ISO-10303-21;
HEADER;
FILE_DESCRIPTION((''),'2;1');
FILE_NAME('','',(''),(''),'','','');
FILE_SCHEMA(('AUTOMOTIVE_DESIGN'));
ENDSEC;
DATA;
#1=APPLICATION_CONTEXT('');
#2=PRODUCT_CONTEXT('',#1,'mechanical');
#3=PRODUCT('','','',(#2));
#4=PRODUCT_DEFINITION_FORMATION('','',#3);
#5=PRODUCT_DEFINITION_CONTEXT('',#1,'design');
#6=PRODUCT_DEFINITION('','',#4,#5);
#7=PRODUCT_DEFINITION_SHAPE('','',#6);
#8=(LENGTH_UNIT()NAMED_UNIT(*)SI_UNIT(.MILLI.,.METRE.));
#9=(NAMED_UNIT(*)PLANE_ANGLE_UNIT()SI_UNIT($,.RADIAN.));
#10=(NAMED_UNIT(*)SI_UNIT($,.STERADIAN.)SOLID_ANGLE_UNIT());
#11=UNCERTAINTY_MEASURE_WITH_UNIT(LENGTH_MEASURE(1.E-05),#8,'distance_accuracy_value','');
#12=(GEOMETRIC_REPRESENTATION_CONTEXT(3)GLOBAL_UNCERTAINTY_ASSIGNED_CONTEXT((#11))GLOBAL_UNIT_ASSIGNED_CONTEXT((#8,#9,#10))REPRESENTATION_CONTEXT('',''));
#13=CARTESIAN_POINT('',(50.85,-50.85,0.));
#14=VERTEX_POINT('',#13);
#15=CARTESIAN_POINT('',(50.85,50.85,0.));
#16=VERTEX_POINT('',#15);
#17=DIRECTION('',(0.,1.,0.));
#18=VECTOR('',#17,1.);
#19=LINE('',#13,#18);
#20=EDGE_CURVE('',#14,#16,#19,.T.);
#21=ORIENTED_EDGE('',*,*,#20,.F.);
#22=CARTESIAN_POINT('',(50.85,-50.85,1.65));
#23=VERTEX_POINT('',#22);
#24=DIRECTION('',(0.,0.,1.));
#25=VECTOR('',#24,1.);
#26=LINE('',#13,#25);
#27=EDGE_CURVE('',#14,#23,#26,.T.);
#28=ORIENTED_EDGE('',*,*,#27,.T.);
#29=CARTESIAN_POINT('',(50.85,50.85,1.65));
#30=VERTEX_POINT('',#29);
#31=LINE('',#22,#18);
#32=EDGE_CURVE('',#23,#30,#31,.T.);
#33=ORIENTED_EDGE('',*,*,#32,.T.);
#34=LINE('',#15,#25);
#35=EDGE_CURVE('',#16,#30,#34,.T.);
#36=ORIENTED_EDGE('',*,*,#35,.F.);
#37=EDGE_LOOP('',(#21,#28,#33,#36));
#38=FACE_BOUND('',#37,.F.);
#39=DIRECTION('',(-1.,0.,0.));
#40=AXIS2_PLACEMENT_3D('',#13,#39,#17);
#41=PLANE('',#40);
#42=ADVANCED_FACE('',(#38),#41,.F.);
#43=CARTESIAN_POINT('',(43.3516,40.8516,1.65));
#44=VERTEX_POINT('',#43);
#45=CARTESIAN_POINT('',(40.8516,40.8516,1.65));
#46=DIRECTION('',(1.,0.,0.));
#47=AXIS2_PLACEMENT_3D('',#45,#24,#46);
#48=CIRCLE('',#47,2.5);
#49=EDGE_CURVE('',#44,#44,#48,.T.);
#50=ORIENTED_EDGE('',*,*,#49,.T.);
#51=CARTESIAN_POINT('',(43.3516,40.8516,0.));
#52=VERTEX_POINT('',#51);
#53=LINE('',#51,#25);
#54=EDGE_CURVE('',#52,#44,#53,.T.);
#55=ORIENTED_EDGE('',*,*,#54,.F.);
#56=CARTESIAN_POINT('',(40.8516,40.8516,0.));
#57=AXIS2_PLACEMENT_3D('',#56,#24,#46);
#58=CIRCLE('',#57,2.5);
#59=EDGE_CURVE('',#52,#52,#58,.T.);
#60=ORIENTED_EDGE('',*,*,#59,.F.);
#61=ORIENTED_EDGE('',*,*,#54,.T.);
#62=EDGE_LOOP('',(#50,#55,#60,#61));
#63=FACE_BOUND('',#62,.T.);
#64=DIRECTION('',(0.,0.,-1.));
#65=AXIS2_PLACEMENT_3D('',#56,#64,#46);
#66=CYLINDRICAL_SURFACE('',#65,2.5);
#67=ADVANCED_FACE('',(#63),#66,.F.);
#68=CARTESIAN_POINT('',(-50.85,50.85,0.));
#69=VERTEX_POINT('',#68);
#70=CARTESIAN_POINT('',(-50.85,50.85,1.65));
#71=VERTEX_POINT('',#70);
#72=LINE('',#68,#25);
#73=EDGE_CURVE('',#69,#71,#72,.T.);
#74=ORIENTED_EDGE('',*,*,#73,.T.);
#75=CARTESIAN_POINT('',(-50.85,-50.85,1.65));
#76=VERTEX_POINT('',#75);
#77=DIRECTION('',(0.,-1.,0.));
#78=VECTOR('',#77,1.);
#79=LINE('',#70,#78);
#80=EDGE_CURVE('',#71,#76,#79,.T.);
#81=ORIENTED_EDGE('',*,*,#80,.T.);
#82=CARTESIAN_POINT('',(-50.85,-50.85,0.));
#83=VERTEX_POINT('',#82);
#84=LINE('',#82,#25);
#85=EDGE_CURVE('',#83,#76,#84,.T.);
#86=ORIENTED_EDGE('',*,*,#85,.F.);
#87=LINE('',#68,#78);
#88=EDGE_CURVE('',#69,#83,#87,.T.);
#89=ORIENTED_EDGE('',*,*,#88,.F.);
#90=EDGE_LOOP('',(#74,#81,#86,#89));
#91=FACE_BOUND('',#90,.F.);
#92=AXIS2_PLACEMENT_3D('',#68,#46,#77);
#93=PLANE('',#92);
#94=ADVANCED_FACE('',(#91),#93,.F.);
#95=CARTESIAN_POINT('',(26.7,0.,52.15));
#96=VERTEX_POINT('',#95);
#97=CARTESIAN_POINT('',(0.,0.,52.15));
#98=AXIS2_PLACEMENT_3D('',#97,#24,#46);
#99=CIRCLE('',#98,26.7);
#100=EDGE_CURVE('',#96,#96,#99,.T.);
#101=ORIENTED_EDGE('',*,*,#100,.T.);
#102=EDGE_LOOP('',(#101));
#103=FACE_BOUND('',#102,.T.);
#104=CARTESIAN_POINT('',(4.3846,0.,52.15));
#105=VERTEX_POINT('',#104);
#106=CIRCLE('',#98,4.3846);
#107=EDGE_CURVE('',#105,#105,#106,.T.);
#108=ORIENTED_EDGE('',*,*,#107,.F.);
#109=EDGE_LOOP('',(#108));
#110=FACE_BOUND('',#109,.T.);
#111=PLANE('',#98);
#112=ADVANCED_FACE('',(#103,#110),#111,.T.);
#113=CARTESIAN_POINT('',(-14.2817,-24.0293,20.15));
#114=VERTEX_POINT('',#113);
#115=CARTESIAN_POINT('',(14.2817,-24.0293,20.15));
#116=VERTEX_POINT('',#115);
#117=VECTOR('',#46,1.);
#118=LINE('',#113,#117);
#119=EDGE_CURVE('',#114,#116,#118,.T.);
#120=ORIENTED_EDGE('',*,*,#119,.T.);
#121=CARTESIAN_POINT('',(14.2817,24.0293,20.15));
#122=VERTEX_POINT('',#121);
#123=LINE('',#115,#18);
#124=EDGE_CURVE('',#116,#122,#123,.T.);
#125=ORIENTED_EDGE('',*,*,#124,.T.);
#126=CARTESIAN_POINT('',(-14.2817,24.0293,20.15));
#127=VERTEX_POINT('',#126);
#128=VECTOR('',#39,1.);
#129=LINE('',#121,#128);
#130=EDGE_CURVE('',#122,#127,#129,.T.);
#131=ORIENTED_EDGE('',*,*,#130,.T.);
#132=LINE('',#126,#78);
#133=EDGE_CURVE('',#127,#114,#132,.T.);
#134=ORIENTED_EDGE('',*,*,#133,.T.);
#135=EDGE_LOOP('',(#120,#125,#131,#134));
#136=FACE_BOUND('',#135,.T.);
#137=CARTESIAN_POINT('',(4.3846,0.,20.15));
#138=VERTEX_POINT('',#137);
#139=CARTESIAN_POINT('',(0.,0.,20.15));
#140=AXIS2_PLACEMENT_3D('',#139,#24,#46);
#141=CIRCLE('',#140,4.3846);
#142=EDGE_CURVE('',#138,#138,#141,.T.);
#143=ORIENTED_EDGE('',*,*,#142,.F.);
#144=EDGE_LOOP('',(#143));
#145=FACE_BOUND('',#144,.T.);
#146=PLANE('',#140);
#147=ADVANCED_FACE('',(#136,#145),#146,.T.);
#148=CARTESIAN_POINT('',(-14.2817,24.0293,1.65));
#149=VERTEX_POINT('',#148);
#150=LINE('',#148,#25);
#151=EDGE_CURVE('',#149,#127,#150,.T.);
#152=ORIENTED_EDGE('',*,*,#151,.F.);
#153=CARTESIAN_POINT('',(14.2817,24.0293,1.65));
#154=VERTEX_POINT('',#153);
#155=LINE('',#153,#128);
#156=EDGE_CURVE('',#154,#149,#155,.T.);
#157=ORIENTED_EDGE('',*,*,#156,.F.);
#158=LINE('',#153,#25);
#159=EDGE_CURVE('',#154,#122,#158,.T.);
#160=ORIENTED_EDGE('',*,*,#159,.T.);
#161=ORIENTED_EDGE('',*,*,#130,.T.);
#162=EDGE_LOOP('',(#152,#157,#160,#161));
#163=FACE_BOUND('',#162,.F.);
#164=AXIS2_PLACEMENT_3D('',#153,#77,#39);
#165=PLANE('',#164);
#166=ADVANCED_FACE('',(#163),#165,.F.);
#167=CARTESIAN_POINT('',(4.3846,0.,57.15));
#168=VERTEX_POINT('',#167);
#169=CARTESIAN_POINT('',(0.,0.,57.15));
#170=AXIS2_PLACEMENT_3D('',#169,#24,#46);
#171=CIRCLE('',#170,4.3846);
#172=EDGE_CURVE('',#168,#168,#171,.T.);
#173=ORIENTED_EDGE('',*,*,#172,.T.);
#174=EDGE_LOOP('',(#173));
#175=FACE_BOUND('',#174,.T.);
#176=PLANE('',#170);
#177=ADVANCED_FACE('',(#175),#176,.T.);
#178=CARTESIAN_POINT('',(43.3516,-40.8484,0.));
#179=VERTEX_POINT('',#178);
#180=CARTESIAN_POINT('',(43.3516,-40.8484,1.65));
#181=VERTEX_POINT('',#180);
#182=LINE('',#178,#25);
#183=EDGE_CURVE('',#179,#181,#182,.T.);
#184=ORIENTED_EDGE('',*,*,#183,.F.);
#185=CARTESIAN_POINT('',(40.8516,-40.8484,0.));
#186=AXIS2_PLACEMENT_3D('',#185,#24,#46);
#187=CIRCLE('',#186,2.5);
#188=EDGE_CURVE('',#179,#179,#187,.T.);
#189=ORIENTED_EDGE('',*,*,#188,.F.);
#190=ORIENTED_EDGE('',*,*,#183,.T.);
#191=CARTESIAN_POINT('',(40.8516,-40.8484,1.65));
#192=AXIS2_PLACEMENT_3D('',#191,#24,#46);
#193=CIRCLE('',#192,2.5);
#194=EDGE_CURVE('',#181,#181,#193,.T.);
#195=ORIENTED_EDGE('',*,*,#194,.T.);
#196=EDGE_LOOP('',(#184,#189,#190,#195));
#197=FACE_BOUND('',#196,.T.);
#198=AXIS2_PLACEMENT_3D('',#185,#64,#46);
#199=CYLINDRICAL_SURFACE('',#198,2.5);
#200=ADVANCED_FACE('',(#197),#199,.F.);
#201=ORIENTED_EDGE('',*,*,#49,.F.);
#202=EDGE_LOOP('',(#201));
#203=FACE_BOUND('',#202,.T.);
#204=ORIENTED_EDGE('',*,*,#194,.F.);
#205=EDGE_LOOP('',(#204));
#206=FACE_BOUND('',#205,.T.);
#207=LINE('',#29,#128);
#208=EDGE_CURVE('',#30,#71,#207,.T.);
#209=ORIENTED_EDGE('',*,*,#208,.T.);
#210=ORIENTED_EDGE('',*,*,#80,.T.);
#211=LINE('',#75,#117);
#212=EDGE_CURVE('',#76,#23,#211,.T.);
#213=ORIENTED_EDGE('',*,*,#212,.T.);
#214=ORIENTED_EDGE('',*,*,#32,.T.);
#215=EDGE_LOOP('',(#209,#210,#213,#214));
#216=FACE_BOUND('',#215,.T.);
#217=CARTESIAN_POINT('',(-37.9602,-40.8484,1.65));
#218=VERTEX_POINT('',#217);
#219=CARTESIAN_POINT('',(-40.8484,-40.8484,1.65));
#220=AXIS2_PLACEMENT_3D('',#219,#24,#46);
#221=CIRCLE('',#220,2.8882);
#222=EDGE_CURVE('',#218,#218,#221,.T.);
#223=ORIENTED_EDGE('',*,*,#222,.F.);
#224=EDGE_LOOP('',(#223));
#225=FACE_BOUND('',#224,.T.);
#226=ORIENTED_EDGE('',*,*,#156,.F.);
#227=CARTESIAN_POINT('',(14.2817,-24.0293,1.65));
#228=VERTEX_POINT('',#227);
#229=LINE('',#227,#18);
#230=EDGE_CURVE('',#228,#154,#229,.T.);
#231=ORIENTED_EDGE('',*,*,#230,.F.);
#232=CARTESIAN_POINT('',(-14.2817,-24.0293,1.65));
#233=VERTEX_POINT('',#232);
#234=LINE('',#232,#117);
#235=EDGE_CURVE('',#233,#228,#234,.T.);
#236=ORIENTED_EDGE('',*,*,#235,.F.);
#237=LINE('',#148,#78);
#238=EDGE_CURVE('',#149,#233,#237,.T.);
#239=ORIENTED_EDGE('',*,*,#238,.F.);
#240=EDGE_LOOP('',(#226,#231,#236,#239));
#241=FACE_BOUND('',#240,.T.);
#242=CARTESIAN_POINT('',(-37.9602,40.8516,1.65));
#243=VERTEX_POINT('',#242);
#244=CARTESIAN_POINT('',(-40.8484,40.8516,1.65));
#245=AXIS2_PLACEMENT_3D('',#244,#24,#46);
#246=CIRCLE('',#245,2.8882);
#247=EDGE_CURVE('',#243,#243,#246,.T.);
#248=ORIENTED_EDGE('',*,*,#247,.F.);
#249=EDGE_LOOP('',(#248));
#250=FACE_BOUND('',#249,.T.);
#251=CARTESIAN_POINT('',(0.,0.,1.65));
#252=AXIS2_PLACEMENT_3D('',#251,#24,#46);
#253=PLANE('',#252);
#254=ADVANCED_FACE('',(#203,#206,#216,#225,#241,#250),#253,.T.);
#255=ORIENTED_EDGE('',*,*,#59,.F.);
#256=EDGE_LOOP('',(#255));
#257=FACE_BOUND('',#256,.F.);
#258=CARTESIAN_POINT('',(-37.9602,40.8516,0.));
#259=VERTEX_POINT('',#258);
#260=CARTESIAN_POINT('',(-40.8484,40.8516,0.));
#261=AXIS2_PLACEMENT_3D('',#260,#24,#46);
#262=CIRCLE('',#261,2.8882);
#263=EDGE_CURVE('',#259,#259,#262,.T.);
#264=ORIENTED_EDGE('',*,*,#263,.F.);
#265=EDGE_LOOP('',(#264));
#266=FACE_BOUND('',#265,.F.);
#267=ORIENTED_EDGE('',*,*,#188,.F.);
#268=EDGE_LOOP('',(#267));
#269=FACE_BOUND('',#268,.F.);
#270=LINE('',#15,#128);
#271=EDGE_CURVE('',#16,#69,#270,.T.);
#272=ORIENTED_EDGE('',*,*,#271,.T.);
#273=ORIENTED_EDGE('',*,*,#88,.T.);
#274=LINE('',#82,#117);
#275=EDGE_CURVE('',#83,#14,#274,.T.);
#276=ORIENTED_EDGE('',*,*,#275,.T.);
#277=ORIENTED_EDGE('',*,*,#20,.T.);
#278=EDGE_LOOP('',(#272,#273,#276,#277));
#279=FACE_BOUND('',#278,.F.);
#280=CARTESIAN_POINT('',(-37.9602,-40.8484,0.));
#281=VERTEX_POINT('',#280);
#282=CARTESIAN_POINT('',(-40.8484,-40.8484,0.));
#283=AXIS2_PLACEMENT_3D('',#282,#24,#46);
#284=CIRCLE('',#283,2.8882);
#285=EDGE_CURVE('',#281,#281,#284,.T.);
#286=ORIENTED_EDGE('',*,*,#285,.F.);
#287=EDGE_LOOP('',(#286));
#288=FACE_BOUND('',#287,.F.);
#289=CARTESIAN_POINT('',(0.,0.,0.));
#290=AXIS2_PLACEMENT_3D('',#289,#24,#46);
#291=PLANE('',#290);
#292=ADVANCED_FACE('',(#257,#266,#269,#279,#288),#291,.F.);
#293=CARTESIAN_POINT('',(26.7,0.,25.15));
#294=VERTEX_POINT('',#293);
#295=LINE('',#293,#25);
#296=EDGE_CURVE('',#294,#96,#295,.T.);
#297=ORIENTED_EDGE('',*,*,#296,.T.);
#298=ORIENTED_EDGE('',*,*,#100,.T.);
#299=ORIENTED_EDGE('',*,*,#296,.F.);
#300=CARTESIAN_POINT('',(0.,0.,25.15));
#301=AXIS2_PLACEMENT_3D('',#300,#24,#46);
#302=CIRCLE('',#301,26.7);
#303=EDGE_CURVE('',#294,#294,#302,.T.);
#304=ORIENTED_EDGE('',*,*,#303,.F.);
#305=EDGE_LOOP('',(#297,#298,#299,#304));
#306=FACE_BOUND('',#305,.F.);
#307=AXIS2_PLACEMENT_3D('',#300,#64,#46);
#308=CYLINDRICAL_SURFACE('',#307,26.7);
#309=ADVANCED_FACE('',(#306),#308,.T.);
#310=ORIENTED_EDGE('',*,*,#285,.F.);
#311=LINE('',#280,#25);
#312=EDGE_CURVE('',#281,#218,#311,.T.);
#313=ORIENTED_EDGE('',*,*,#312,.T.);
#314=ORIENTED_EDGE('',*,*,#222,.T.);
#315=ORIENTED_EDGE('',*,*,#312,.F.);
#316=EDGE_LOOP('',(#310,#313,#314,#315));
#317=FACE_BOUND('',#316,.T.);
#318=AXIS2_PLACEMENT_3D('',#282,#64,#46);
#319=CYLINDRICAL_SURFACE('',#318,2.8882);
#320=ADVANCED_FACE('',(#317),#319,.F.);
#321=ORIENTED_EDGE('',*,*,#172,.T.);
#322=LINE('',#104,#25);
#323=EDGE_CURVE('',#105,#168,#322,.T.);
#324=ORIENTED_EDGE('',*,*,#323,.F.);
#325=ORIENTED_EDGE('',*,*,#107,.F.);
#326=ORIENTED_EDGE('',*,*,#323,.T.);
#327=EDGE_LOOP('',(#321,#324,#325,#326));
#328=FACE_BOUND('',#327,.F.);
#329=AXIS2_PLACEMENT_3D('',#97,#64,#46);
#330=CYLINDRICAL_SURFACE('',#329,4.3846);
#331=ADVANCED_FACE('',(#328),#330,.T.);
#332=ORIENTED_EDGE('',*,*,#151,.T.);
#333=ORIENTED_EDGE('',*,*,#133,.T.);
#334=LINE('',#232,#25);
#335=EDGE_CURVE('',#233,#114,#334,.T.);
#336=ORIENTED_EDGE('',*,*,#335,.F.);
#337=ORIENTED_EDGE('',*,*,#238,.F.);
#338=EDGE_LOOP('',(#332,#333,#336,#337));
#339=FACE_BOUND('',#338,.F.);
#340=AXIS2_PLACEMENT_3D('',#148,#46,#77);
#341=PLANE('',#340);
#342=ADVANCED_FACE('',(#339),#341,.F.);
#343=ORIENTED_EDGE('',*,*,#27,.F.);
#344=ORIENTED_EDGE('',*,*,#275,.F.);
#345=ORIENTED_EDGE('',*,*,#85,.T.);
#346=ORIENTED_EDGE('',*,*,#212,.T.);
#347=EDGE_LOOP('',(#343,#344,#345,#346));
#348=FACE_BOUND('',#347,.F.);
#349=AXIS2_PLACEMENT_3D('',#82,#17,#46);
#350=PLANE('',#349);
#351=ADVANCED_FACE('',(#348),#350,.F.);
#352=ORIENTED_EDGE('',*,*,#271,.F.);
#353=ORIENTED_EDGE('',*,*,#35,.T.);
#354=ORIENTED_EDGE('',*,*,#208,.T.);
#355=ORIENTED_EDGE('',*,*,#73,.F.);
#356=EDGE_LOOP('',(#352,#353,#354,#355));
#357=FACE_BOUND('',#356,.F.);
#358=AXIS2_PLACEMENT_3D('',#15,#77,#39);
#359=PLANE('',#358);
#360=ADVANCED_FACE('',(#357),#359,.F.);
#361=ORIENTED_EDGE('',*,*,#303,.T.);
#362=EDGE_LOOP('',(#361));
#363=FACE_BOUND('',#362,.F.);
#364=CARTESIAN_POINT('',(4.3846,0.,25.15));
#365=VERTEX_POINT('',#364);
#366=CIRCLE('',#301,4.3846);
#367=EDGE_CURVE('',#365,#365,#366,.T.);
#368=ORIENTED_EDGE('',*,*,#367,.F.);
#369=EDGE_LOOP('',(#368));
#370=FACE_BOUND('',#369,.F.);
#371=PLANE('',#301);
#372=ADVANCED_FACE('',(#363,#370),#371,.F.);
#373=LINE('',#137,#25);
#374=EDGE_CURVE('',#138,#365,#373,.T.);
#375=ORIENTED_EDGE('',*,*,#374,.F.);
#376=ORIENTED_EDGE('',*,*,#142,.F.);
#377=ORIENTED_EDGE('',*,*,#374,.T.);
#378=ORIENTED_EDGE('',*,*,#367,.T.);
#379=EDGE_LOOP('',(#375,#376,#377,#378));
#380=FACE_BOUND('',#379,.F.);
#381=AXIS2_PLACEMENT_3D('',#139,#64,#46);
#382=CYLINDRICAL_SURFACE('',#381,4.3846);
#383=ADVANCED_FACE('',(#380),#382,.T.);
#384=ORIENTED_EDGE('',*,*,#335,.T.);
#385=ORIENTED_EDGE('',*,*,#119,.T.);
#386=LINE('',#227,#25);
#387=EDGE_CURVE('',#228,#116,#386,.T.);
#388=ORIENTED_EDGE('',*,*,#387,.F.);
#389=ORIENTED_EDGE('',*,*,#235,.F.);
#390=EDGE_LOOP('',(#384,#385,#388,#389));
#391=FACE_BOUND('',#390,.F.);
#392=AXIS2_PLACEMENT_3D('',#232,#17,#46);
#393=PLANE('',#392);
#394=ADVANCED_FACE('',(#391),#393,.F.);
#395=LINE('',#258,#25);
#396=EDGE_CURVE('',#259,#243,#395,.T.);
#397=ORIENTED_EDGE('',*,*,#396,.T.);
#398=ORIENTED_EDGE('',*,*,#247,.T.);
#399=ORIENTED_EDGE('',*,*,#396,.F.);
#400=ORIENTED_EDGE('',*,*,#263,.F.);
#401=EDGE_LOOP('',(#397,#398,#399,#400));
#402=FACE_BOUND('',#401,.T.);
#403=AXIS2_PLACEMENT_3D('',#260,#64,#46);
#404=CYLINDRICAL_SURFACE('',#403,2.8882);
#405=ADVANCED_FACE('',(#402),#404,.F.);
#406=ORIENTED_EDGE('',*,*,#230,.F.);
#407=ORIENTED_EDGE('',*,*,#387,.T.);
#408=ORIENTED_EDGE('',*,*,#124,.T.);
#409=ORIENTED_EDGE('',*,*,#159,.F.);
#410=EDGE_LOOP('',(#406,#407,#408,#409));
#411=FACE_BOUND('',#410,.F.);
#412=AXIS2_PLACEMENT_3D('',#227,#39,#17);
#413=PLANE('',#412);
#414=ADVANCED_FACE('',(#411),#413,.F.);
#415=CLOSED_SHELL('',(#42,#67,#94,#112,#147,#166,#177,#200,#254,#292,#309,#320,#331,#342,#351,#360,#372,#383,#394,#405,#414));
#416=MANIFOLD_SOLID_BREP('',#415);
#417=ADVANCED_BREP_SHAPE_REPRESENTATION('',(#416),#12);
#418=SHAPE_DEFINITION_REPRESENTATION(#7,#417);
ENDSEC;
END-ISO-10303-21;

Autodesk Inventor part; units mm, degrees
ref_plane "YZ Plane" through (0, 0, 0) normal (1, 0, 0) x (0, 1, 0)
ref_plane "XZ Plane" through (0, 0, 0) normal (0, 1, 0) x (-1, 0, 0)
ref_plane "Plano de trabajo1" through (0, 0, 0) normal (0, 0, 1) x (1, 0, 0)
sketch "Boceto1" plane through (0, 0, 0) normal (0, 0, 1) x (1, 0, 0)
  line L0 (50.85, -50.85) -> (50.85, 50.85) projected
  line L1 (50.85, 50.85) -> (-50.85, 50.85) projected
  line L2 (-50.85, 50.85) -> (-50.85, -50.85) projected
  line L3 (-50.85, -50.85) -> (50.85, -50.85) projected
  circle A0 centre (-40.8484, 40.8516) radius 2.8882 projected
  circle A1 centre (40.8516, 40.8516) radius 2.5 projected
  circle A2 centre (-40.8484, -40.8484) radius 2.8882 projected
  circle A3 centre (40.8516, -40.8484) radius 2.5 projected
  point P0 (0, 0)
extrude "Extrusión1" add sketch "Boceto1" along normal blind 1.65
sketch "Boceto2" plane through (0, 0, 1.65) normal (0, 0, 1) x (1, 0, 0)
  line L0 (14.2817, 24.0293) -> (-14.2817, 24.0293)
  line L1 (-14.2817, 24.0293) -> (-14.2817, -24.0293)
  line L2 (-14.2817, -24.0293) -> (14.2817, -24.0293)
  line L3 (14.2817, -24.0293) -> (14.2817, 24.0293)
  line L4 (14.2817, 24.0293) -> (-14.2817, -24.0293) construction
  line L5 (-14.2817, 24.0293) -> (14.2817, -24.0293) construction
  point P0 (0, 0)
extrude "Extrusión2" add sketch "Boceto2" along normal blind 18.5
sketch "Boceto3" plane through (0, 0, 20.15) normal (0, 0, 1) x (1, 0, 0)
  circle A0 centre (0, 0) radius 4.3846
extrude "Extrusión3" add sketch "Boceto3" along normal blind 5
sketch "Boceto4" plane through (0, 0, 25.15) normal (0, 0, 1) x (1, 0, 0)
  circle A0 centre (0, 0) radius 26.7
  dimension "d6" = 53.4
extrude "Extrusión4" add sketch "Boceto4" along normal blind 27
sketch "Boceto5" plane through (0, 0, 52.15) normal (0, 0, 1) x (1, 0, 0)
  circle A0 centre (0, 0) radius 4.3846 projected
extrude "Extrusión5" add sketch "Boceto5" along normal blind 5
properties part number "PCB_RW"
